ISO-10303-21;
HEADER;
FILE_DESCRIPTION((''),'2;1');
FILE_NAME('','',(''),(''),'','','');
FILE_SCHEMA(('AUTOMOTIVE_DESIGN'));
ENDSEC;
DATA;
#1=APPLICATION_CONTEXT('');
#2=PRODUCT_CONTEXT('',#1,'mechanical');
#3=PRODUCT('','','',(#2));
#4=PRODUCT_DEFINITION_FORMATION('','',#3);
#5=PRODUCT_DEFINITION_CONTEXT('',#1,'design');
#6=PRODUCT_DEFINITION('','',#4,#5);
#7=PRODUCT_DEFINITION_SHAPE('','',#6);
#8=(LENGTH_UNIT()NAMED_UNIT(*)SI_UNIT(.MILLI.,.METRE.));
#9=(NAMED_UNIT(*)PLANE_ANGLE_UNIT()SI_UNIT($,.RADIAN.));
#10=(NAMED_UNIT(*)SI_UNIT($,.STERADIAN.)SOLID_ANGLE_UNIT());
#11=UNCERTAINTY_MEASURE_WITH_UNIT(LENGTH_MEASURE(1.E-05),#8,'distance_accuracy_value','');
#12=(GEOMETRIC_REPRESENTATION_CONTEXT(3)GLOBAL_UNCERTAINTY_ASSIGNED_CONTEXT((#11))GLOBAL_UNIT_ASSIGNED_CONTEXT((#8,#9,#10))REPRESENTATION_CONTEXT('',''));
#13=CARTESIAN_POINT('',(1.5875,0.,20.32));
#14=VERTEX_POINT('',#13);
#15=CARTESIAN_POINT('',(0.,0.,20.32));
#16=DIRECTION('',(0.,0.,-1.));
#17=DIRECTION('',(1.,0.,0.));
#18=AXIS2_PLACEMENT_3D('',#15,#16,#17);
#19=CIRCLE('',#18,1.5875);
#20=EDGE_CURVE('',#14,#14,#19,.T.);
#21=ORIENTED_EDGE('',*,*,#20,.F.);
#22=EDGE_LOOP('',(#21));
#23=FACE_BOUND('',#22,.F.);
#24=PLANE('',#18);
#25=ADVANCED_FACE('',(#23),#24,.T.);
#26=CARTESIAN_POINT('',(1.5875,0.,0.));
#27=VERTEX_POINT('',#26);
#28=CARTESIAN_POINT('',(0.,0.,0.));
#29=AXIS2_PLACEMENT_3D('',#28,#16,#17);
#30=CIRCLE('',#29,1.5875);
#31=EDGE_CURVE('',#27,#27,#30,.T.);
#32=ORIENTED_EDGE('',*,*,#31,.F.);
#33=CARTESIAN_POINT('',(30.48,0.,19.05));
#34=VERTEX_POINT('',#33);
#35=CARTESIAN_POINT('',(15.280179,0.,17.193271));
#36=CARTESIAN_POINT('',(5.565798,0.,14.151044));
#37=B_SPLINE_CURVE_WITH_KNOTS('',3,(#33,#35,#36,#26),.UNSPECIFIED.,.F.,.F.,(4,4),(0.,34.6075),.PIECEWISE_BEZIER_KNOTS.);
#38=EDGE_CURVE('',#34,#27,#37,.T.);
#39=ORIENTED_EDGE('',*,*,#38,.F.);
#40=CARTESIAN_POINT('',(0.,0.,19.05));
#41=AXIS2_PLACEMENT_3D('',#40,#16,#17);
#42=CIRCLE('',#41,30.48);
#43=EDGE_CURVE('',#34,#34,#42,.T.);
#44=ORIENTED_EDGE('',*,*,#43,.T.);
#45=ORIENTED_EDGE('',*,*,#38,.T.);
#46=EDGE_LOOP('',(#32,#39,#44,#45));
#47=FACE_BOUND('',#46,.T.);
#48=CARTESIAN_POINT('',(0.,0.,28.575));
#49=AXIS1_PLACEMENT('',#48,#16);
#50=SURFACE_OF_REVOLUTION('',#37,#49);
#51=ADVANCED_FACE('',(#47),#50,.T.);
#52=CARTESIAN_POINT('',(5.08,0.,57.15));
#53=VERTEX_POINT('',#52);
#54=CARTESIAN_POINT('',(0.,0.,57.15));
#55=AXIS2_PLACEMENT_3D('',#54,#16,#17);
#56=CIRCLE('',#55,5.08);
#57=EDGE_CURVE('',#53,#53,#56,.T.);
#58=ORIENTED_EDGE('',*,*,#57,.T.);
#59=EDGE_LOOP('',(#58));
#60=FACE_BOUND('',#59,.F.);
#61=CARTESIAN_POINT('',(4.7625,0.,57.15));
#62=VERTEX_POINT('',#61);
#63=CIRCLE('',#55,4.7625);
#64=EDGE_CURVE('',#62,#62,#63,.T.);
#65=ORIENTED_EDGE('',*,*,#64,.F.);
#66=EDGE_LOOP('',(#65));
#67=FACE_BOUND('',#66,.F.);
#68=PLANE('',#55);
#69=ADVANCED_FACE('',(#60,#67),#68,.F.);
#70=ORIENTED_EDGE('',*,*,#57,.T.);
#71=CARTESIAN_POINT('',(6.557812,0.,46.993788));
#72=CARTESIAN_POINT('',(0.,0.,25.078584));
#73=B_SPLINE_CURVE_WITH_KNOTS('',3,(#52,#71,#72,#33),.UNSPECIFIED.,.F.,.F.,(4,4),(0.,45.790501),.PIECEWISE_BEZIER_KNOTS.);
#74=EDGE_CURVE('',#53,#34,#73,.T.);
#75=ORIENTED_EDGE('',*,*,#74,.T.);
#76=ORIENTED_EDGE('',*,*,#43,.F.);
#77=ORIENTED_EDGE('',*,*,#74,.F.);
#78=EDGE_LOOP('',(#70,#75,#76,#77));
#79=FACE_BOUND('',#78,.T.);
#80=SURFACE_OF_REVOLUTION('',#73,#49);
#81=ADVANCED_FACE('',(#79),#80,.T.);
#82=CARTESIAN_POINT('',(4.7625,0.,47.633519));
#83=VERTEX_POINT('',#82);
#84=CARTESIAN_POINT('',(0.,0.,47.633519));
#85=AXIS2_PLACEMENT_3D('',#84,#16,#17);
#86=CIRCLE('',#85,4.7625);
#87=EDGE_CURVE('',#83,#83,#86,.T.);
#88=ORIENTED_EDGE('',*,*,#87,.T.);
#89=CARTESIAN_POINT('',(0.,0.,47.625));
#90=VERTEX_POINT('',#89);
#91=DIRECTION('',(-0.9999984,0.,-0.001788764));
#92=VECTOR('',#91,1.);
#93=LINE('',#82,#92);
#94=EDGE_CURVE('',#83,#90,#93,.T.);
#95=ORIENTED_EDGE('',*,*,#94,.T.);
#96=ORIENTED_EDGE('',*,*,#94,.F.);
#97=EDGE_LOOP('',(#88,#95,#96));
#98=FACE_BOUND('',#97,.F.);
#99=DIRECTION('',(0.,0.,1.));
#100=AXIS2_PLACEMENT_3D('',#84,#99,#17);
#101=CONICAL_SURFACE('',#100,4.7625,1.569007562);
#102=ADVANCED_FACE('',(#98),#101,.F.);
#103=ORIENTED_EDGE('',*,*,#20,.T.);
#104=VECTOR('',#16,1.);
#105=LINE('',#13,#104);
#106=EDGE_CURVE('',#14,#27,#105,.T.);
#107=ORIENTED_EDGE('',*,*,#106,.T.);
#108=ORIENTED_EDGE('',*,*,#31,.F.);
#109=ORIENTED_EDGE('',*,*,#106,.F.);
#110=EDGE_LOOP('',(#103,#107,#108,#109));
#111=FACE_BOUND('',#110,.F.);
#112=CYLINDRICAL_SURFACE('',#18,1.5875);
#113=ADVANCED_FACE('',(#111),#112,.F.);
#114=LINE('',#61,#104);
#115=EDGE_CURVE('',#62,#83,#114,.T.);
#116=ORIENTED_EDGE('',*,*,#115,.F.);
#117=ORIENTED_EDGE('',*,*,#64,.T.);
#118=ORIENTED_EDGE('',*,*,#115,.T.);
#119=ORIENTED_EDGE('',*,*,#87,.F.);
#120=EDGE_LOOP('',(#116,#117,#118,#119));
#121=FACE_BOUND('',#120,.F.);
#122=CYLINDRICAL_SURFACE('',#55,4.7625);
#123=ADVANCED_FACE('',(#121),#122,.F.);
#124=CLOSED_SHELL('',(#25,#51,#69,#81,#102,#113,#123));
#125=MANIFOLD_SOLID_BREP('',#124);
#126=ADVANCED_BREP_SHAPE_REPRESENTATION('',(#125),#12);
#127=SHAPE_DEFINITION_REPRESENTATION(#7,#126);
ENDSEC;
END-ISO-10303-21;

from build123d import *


with BuildPart() as f1:
    # F0 (on Front) → F1 (revolve)
    with BuildSketch(Plane.XZ):
        with BuildLine():
            Line((4.7625, 47.633519), (0, 47.625))
            Line((0, 47.625), (0, 20.32))
            Line((0, 20.32), (1.5875, 20.32))
            Line((1.5875, 20.32), (1.5875, 0))
            add(Edge.make_bspline(
                [(30.48, 19.05), (15.280179, 17.193271), (5.565798, 14.151044), (1.5875, 0)],
                knots=[0, 0, 0, 0, 34.6075, 34.6075, 34.6075, 34.6075], degree=3))
            add(Edge.make_bspline(
                [(5.08, 57.15), (6.557812, 46.993788), (0, 25.078584), (30.48, 19.05)],
                knots=[0, 0, 0, 0, 45.790501, 45.790501, 45.790501, 45.790501], degree=3))
            Line((5.08, 57.15), (4.7625, 57.15))
            Line((4.7625, 57.15), (4.7625, 47.633519))
        make_face()
    revolve(axis=Axis((0, 0, 28.575), (0, 0, -1)))


solid = f1.part
